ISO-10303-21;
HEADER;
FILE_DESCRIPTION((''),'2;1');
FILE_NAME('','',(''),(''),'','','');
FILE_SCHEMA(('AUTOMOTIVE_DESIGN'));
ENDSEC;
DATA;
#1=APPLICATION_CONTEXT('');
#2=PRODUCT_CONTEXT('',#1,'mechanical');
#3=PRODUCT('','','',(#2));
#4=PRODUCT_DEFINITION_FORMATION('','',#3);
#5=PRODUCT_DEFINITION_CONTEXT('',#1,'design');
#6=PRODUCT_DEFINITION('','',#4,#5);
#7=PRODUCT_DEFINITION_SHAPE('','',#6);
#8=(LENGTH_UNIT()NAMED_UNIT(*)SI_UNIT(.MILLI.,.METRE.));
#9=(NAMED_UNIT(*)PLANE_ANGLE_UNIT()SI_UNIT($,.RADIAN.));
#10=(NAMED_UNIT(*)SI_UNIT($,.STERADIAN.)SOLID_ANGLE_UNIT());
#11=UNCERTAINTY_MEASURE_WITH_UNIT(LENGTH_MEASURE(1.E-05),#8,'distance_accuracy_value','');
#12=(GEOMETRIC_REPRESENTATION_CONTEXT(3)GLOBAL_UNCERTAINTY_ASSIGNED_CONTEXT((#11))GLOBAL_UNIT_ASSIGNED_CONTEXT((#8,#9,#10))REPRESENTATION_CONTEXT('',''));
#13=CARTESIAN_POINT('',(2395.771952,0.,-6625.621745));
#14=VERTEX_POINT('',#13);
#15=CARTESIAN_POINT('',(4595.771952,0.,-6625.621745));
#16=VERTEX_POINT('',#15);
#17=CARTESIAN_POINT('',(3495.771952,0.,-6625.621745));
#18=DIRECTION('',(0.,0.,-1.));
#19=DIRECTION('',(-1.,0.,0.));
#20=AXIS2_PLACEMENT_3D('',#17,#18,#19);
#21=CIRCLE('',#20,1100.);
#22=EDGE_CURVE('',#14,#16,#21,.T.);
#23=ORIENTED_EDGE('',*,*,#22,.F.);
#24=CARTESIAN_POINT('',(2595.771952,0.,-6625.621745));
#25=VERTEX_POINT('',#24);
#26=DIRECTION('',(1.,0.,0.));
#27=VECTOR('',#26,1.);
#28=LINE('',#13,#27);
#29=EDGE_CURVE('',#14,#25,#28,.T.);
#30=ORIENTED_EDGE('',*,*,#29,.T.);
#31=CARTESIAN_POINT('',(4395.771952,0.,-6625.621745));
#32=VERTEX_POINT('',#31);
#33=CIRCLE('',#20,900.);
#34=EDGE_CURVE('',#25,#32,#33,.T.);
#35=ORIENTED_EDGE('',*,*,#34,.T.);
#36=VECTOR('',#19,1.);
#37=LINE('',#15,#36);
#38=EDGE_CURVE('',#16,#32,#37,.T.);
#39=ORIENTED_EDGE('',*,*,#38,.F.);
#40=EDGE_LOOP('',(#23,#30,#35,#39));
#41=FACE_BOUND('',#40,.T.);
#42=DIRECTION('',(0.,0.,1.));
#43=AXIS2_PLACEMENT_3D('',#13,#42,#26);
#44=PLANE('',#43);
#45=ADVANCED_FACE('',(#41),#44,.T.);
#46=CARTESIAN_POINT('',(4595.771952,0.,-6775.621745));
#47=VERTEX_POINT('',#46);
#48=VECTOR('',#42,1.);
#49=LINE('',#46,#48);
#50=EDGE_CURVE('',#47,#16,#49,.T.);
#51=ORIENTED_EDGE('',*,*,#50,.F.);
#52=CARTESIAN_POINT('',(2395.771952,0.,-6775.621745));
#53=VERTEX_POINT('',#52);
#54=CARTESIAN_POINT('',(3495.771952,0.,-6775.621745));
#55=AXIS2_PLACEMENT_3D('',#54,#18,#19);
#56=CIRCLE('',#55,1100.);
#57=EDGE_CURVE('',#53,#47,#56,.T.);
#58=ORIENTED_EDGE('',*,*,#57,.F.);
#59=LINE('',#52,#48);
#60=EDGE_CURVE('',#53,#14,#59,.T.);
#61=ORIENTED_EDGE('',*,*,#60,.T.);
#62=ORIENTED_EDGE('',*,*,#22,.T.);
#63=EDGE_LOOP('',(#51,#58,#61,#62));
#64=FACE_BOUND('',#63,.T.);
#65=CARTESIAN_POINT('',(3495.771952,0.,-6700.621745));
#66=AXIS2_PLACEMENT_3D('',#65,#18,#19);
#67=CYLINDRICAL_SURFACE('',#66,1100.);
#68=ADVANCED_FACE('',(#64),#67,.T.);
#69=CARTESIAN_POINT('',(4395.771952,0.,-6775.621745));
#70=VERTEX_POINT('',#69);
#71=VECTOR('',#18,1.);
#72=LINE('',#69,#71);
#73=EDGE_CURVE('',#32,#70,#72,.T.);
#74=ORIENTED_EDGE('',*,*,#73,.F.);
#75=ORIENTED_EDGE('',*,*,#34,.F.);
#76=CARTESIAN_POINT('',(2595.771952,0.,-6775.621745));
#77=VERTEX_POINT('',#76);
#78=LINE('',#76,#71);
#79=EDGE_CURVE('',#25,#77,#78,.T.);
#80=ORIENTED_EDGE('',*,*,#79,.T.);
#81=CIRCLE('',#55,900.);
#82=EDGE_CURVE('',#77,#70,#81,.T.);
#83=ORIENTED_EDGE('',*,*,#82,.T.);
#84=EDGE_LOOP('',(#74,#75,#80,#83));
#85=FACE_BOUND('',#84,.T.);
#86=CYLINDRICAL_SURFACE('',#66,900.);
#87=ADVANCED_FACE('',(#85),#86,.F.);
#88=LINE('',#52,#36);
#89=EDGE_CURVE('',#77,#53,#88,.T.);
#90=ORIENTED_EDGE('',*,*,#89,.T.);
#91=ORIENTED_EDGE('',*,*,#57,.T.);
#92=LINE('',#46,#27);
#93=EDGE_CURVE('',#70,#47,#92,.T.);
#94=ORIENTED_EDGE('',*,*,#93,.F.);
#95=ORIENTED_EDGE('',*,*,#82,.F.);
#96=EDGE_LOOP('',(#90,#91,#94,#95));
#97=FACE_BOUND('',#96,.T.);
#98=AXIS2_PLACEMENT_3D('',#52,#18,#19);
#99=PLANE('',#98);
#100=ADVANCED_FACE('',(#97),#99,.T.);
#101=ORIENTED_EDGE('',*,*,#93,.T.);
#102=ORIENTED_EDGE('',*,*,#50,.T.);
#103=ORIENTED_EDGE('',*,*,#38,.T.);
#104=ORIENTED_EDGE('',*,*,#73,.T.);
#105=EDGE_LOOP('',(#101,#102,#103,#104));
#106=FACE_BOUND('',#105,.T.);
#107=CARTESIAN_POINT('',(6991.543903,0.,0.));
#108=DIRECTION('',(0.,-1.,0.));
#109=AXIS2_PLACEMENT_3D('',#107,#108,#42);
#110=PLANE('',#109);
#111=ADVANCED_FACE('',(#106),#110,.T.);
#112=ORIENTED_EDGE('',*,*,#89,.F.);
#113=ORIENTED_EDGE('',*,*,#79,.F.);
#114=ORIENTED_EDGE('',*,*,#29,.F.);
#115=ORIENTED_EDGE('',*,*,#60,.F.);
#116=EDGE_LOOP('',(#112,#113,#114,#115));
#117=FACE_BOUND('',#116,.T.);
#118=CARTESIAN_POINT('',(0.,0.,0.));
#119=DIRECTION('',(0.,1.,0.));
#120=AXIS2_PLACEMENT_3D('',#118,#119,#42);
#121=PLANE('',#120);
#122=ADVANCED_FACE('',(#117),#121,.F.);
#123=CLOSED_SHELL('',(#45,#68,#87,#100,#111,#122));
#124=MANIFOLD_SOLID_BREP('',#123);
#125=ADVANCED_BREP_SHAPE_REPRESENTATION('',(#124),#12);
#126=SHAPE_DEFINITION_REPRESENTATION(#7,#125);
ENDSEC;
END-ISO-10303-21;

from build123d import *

# Parameters (mm, degrees)
ESQUISSE3_W = 200
ESQUISSE3_H = 150


with BuildPart() as part:
    # Balayage3: sweep along a path in Esquisse5
    with BuildLine(Plane.XY.offset(-6700.621745368)) as balayage3_path:
        ThreePointArc((2495.771951508, 0), (3495.771951508, 1000), (4495.771951508, 0))
    # Esquisse3 → Balayage3 (sweep)
    with BuildSketch(Plane(origin=(0, 0, 0), x_dir=(1, 0, 0), z_dir=(0, 1, 0))):
        with Locations((2495.771951508, 6700.621745368)):
            Rectangle(ESQUISSE3_W, ESQUISSE3_H)
    sweep(path=balayage3_path.line)


solid = part.part
